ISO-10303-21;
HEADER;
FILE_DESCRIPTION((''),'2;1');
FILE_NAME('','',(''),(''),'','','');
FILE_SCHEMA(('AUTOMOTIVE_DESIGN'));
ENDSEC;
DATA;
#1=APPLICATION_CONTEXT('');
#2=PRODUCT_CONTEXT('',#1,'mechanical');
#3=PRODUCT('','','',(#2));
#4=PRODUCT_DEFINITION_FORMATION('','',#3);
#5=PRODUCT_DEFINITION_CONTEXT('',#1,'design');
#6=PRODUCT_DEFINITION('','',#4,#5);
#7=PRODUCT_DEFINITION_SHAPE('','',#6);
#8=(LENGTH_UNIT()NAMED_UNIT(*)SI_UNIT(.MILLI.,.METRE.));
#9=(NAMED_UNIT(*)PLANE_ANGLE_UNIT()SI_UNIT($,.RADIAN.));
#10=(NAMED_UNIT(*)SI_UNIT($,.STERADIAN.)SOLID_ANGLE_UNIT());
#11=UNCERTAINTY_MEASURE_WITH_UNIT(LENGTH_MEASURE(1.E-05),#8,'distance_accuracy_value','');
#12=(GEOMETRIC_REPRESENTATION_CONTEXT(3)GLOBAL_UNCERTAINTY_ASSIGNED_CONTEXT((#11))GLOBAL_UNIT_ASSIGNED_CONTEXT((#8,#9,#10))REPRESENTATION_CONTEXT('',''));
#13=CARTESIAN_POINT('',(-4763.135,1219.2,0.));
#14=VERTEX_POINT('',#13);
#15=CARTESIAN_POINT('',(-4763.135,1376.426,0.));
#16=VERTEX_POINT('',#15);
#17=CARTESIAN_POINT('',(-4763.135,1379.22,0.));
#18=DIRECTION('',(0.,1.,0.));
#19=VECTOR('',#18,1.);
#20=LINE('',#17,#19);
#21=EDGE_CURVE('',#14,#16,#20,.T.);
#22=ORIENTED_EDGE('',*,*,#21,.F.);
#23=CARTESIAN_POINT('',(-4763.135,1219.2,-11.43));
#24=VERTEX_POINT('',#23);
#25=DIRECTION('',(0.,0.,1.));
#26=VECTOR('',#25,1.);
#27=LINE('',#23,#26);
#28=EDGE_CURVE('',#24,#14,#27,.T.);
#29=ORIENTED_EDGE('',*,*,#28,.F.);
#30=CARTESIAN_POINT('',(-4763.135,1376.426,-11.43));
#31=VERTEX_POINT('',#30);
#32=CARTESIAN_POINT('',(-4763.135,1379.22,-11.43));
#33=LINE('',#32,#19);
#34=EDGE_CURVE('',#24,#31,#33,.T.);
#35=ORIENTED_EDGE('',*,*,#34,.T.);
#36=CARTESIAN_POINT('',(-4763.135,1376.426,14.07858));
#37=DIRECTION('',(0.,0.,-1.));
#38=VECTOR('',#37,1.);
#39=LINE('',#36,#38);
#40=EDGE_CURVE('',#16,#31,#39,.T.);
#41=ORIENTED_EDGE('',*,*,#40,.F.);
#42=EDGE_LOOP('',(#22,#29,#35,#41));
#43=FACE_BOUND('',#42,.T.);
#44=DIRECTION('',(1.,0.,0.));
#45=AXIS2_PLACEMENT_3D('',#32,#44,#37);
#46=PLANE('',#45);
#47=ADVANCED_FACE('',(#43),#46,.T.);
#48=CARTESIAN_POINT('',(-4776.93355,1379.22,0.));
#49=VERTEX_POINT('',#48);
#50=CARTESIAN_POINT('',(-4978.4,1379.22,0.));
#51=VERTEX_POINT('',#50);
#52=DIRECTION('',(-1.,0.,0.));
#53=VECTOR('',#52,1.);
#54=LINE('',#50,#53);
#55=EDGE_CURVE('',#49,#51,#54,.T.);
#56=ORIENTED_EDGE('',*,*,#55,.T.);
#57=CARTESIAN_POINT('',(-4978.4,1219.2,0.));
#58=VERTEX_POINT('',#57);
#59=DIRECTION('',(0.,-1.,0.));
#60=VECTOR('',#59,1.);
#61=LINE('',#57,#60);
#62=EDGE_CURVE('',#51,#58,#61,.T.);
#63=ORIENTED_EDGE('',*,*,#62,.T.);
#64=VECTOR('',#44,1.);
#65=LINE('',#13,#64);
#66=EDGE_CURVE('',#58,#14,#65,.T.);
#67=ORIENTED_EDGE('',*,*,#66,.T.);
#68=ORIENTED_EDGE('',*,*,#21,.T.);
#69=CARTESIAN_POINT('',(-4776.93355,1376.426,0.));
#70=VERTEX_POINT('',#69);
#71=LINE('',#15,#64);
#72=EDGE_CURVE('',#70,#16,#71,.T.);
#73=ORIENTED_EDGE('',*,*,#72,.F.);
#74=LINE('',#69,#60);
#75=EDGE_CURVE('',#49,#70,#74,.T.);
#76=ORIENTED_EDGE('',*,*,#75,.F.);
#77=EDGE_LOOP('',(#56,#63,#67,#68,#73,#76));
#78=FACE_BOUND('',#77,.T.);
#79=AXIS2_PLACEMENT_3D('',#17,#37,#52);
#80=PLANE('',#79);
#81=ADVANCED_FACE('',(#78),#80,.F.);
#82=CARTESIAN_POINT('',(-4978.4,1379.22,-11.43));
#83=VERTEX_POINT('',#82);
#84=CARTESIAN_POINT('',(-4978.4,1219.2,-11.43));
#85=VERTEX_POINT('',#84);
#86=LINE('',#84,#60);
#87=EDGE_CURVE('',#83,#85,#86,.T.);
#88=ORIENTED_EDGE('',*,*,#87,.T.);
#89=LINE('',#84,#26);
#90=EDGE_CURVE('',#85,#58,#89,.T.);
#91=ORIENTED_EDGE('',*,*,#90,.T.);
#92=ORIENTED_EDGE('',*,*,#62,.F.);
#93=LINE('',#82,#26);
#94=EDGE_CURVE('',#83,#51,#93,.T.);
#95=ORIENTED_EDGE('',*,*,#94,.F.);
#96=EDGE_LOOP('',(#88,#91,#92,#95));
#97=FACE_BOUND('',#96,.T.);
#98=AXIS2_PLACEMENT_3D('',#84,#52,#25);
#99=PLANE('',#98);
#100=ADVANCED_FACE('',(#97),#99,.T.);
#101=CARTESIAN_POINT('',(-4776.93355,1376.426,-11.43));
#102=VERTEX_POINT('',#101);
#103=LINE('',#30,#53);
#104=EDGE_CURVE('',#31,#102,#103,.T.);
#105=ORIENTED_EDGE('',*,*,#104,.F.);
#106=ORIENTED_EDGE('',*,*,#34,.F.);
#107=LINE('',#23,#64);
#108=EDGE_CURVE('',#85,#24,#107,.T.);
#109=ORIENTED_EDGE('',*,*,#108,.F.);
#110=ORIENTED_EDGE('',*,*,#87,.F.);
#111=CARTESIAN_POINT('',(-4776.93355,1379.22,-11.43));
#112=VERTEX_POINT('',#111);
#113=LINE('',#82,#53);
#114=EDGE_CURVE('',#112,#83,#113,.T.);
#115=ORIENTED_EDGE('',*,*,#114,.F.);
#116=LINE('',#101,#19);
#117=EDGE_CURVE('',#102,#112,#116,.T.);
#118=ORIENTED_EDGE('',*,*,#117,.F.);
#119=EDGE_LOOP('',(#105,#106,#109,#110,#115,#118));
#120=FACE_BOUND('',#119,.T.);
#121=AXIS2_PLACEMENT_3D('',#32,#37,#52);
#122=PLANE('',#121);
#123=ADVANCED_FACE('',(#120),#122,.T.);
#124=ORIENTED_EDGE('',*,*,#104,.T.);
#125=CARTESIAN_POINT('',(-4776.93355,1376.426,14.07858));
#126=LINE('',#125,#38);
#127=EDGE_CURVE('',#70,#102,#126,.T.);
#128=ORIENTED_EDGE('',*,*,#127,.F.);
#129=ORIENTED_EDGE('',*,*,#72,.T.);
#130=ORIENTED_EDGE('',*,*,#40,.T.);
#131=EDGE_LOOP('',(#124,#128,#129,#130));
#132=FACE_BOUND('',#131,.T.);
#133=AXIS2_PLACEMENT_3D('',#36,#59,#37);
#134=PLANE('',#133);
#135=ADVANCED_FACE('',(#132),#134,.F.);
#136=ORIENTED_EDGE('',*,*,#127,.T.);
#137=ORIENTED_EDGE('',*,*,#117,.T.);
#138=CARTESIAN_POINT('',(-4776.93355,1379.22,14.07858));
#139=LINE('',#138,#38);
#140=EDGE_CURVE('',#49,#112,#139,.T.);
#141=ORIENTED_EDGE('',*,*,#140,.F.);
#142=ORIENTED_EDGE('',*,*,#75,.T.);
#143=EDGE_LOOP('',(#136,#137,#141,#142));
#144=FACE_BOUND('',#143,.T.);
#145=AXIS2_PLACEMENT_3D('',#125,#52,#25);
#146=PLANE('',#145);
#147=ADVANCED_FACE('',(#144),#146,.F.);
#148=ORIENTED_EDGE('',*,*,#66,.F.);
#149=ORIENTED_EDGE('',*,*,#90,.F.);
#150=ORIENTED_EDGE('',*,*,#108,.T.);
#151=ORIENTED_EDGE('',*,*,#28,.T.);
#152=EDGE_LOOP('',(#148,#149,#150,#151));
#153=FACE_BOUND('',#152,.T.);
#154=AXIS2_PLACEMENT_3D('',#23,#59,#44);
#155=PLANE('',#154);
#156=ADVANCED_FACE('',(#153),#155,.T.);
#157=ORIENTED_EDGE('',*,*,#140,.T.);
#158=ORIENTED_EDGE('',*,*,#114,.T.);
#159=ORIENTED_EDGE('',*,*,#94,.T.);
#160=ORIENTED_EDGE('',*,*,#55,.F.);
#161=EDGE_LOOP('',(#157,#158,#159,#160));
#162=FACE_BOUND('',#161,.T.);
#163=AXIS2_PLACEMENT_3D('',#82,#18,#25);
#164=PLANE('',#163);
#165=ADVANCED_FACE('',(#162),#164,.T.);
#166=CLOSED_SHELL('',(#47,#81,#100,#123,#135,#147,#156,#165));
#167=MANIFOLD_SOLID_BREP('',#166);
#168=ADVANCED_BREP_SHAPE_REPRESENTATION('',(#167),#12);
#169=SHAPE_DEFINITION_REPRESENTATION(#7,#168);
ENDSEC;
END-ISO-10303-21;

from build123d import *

# Parameters (mm, degrees)
SIDEOUTLINE_W               = 215.265
SIDEOUTLINE_H               = 160.02
SIDEOUTLINE_THICKNESS_DEPTH = 11.43
SKETCH2_W                   = 13.79855
SKETCH2_H                   = 2.794
CUT_EXTRUDE1_DEPTH          = 11.43


with BuildPart() as part:
    # SideOutline → SideOutline_Thickness (new body)
    with BuildSketch(Plane.XY):
        with Locations((-4870.7675, 1299.21)):
            Rectangle(SIDEOUTLINE_W, SIDEOUTLINE_H)
    extrude(amount=-SIDEOUTLINE_THICKNESS_DEPTH)

    # Sketch2 → Cut-Extrude1 (cut)
    with BuildSketch(Plane(origin=(0, 0, -11.43), x_dir=(-1, 0, 0), z_dir=(0, 0, -1))):
        with Locations((4770.034275, 1377.823)):
            Rectangle(SKETCH2_W, SKETCH2_H)
    extrude(amount=-CUT_EXTRUDE1_DEPTH, mode=Mode.SUBTRACT)


solid = part.part
